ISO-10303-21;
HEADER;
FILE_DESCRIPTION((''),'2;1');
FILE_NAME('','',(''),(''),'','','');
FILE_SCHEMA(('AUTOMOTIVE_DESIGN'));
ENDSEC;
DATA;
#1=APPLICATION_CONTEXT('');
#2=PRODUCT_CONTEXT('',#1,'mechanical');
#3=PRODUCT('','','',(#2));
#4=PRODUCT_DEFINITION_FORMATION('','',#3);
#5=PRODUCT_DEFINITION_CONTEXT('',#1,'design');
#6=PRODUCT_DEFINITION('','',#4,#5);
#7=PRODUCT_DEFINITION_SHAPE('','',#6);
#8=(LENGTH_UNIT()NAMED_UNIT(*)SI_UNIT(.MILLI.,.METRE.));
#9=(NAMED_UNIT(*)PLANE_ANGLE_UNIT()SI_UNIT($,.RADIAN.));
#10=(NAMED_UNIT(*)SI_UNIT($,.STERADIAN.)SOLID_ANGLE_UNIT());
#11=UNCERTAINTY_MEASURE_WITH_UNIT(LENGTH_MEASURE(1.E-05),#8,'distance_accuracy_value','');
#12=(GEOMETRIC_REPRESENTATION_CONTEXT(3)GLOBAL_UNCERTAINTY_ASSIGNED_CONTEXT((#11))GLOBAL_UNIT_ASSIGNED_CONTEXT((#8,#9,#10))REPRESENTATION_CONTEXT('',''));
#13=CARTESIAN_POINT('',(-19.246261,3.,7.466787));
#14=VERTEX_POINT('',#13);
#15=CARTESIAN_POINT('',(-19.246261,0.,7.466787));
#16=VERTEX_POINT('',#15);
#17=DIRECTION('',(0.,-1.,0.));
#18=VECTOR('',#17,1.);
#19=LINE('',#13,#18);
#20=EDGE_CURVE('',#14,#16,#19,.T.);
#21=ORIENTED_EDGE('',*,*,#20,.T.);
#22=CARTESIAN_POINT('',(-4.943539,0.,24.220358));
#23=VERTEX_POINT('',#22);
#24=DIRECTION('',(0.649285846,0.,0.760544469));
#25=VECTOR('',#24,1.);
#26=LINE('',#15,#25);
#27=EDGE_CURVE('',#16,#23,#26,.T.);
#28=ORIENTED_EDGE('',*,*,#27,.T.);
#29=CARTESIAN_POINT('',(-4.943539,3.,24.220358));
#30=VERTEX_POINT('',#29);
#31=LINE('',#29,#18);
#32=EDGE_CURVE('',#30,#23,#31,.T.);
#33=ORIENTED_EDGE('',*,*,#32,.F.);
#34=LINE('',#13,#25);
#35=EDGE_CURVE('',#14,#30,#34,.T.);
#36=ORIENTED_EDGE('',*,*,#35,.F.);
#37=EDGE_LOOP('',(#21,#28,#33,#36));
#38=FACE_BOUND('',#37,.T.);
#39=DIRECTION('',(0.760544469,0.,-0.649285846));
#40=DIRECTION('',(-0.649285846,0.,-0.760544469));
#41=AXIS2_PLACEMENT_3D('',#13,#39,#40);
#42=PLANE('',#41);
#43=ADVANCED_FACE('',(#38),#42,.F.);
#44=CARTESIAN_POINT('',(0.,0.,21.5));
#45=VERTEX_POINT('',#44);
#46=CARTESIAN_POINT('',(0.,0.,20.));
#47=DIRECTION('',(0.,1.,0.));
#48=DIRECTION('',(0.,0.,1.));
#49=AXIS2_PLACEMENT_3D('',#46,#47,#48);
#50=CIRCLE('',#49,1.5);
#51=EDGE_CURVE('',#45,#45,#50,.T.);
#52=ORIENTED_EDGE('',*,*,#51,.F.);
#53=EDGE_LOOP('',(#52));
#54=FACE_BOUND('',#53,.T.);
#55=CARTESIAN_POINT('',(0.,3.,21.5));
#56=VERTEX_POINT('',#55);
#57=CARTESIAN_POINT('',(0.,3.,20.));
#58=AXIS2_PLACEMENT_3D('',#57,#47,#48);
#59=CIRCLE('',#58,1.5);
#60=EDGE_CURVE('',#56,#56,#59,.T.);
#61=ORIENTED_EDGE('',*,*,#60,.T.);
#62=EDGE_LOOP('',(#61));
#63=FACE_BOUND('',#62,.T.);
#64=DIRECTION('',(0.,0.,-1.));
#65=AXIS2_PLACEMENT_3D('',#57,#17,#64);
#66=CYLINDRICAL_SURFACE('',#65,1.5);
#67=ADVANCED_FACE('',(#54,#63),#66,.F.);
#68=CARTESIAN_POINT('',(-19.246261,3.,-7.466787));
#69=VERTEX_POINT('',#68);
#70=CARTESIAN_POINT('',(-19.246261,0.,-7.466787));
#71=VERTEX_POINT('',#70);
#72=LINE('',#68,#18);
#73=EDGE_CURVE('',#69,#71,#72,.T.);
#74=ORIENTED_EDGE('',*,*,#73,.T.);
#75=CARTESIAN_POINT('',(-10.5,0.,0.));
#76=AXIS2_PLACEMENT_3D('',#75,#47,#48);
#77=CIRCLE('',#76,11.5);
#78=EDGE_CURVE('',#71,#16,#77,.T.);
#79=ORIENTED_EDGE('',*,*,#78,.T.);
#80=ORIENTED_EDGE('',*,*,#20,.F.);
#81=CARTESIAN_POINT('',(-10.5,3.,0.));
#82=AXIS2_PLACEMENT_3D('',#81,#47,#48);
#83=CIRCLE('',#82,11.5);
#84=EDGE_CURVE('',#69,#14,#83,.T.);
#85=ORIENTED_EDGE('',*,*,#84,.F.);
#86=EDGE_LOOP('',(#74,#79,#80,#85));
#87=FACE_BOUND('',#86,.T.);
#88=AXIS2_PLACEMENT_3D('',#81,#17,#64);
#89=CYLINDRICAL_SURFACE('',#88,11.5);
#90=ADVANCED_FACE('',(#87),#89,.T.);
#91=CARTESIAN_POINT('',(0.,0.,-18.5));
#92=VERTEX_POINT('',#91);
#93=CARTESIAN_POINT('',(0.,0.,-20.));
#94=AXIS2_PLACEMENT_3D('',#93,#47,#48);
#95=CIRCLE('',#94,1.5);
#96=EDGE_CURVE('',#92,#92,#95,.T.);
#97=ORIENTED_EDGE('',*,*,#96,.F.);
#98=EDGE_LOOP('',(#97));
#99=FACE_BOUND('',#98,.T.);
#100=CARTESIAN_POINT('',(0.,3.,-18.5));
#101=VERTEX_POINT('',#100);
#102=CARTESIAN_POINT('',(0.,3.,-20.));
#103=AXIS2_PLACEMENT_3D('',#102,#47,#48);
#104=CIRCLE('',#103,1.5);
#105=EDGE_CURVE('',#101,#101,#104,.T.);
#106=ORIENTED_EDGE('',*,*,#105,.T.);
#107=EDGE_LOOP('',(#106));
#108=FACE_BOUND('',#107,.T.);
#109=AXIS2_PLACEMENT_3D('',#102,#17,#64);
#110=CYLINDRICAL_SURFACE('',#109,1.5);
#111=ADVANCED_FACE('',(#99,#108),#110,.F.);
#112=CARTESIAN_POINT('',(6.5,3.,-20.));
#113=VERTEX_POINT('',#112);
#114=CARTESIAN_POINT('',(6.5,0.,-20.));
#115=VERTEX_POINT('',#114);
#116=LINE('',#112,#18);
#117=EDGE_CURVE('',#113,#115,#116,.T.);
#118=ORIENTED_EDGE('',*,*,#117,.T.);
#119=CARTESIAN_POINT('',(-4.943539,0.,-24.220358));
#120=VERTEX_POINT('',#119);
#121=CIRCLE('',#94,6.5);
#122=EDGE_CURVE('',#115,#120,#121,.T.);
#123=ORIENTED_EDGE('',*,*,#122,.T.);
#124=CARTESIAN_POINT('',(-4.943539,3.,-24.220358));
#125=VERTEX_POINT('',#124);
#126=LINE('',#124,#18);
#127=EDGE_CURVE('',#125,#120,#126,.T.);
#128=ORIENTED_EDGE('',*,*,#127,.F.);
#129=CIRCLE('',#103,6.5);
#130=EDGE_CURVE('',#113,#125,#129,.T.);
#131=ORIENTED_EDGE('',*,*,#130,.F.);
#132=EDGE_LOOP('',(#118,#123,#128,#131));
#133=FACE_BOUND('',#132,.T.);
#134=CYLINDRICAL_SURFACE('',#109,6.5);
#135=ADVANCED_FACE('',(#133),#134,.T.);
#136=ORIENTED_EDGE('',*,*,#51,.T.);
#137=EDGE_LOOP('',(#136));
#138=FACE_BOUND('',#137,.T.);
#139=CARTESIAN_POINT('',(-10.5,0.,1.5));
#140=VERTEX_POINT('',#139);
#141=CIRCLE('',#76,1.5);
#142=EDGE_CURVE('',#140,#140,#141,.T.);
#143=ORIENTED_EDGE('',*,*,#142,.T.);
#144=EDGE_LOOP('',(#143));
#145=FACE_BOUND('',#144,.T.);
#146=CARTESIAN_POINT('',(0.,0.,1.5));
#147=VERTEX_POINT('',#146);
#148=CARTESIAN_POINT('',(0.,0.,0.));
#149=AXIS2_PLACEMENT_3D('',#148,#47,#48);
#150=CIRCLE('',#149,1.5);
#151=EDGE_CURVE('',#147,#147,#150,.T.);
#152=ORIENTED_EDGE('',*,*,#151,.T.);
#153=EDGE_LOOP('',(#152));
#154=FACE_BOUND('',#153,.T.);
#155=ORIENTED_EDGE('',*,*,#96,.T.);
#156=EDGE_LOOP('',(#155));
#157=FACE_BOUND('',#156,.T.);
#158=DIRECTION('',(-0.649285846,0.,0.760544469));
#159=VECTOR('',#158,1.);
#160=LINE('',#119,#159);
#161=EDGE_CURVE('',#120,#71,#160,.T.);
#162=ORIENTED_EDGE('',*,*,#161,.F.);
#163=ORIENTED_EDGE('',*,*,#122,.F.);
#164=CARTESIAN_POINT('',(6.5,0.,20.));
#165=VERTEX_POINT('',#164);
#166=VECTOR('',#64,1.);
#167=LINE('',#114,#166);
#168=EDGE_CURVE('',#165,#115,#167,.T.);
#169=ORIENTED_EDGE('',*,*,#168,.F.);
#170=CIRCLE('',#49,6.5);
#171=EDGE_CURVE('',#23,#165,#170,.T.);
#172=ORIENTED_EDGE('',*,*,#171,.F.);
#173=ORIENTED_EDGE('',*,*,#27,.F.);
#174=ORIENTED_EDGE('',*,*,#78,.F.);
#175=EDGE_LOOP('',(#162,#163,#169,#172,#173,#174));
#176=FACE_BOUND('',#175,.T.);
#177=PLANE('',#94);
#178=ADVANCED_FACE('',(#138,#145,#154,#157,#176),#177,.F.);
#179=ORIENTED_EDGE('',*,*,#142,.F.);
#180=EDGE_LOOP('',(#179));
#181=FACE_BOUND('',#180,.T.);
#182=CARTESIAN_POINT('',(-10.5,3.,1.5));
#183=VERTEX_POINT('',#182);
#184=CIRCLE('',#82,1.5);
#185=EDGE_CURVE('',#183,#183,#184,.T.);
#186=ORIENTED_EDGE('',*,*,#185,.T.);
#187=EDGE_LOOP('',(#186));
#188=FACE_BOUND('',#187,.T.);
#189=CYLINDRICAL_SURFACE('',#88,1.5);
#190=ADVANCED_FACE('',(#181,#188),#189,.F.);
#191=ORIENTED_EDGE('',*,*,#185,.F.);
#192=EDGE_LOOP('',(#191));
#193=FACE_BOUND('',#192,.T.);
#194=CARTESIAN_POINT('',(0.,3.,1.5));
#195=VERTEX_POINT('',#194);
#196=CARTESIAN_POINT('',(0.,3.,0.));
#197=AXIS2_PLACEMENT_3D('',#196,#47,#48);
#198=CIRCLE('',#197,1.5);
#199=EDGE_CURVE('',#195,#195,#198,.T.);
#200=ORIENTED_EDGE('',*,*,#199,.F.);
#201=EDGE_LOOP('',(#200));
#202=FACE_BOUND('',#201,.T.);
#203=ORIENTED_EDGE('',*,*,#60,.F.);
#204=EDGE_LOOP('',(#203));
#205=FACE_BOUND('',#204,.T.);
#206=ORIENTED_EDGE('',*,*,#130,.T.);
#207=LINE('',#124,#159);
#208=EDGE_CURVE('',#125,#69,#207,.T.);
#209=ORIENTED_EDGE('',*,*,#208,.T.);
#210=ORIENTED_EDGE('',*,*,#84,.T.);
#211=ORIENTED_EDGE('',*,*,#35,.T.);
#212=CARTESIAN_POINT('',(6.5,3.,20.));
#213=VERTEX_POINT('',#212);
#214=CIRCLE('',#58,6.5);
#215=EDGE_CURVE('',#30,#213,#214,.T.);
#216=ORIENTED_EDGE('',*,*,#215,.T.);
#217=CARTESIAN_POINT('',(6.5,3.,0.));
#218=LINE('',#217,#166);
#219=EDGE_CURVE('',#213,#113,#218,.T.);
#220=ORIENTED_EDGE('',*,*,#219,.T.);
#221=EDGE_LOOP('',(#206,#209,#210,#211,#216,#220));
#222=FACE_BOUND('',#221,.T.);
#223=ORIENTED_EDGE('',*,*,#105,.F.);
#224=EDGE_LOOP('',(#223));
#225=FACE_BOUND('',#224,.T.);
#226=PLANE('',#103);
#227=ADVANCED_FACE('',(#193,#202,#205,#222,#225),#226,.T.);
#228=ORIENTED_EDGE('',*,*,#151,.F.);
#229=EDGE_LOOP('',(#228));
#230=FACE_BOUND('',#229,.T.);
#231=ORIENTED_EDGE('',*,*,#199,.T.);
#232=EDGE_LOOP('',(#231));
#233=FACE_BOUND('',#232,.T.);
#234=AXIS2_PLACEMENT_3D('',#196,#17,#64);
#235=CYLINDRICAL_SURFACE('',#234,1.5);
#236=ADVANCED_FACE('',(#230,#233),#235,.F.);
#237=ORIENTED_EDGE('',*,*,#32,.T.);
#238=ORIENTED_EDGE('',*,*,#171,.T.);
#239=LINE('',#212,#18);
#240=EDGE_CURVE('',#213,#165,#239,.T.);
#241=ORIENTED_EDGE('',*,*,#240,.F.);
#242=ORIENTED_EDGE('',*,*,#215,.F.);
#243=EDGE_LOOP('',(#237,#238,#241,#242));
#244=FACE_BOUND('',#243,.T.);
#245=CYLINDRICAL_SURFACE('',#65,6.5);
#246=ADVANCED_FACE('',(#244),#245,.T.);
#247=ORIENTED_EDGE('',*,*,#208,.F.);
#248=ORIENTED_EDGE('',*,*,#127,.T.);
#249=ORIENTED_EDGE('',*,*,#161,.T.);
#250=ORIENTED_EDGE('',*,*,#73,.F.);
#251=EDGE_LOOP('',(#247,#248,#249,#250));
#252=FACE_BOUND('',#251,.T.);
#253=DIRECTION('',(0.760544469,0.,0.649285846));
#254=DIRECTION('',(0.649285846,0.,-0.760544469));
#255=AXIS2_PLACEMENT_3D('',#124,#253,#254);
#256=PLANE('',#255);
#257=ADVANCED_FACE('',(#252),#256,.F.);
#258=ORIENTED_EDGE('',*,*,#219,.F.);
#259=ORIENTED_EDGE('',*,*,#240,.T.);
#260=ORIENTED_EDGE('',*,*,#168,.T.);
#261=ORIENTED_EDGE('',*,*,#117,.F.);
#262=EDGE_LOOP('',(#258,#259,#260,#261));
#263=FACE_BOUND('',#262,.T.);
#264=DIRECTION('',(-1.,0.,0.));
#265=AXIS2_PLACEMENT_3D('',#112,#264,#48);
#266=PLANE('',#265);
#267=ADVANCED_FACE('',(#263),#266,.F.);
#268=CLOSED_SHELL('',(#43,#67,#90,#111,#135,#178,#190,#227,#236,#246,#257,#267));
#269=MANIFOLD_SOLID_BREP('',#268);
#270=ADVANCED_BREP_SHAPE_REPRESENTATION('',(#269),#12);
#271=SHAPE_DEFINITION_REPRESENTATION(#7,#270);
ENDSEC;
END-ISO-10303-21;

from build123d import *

# Parameters (mm, degrees)
SKETCH_1_R      = 1.5
EXTRUDE_1_DEPTH = 3


with BuildPart() as part:
    # ｽｹｯﾁ1 → ﾎﾞｽ - 押し出し1 (new body)
    with BuildSketch(Plane(origin=(0, 0, 0), x_dir=(1, 0, 0), z_dir=(0, 1, 0))):
        with BuildLine():
            Line((6.5, 20), (6.5, 0))
            Line((6.5, 0), (6.5, -20))
            ThreePointArc((6.5, -20), (2.24911051, -26.098483575), (-4.94353905, -24.220358001))
            Line((-4.94353905, -24.220358001), (-19.246261396, -7.466787233))
            ThreePointArc((-19.246261396, -7.466787233), (-22, 0), (-19.246261396, 7.466787233))
            Line((-19.246261396, 7.466787233), (-4.94353905, 24.220358001))
            ThreePointArc((-4.94353905, 24.220358001), (2.24911051, 26.098483575), (6.5, 20))
        make_face()
        with Locations(Location((0, 0, 0), (0, 0, 270))):
            Circle(SKETCH_1_R, mode=Mode.SUBTRACT)
        with Locations(Location((0, 20, 0), (0, 0, 270))):
            Circle(SKETCH_1_R, mode=Mode.SUBTRACT)
        with Locations(Location((0, -20, 0), (0, 0, 270))):
            Circle(SKETCH_1_R, mode=Mode.SUBTRACT)
        with Locations(Location((-10.5, 0, 0), (0, 0, 270))):
            Circle(SKETCH_1_R, mode=Mode.SUBTRACT)
    extrude(amount=EXTRUDE_1_DEPTH)


solid = part.part
